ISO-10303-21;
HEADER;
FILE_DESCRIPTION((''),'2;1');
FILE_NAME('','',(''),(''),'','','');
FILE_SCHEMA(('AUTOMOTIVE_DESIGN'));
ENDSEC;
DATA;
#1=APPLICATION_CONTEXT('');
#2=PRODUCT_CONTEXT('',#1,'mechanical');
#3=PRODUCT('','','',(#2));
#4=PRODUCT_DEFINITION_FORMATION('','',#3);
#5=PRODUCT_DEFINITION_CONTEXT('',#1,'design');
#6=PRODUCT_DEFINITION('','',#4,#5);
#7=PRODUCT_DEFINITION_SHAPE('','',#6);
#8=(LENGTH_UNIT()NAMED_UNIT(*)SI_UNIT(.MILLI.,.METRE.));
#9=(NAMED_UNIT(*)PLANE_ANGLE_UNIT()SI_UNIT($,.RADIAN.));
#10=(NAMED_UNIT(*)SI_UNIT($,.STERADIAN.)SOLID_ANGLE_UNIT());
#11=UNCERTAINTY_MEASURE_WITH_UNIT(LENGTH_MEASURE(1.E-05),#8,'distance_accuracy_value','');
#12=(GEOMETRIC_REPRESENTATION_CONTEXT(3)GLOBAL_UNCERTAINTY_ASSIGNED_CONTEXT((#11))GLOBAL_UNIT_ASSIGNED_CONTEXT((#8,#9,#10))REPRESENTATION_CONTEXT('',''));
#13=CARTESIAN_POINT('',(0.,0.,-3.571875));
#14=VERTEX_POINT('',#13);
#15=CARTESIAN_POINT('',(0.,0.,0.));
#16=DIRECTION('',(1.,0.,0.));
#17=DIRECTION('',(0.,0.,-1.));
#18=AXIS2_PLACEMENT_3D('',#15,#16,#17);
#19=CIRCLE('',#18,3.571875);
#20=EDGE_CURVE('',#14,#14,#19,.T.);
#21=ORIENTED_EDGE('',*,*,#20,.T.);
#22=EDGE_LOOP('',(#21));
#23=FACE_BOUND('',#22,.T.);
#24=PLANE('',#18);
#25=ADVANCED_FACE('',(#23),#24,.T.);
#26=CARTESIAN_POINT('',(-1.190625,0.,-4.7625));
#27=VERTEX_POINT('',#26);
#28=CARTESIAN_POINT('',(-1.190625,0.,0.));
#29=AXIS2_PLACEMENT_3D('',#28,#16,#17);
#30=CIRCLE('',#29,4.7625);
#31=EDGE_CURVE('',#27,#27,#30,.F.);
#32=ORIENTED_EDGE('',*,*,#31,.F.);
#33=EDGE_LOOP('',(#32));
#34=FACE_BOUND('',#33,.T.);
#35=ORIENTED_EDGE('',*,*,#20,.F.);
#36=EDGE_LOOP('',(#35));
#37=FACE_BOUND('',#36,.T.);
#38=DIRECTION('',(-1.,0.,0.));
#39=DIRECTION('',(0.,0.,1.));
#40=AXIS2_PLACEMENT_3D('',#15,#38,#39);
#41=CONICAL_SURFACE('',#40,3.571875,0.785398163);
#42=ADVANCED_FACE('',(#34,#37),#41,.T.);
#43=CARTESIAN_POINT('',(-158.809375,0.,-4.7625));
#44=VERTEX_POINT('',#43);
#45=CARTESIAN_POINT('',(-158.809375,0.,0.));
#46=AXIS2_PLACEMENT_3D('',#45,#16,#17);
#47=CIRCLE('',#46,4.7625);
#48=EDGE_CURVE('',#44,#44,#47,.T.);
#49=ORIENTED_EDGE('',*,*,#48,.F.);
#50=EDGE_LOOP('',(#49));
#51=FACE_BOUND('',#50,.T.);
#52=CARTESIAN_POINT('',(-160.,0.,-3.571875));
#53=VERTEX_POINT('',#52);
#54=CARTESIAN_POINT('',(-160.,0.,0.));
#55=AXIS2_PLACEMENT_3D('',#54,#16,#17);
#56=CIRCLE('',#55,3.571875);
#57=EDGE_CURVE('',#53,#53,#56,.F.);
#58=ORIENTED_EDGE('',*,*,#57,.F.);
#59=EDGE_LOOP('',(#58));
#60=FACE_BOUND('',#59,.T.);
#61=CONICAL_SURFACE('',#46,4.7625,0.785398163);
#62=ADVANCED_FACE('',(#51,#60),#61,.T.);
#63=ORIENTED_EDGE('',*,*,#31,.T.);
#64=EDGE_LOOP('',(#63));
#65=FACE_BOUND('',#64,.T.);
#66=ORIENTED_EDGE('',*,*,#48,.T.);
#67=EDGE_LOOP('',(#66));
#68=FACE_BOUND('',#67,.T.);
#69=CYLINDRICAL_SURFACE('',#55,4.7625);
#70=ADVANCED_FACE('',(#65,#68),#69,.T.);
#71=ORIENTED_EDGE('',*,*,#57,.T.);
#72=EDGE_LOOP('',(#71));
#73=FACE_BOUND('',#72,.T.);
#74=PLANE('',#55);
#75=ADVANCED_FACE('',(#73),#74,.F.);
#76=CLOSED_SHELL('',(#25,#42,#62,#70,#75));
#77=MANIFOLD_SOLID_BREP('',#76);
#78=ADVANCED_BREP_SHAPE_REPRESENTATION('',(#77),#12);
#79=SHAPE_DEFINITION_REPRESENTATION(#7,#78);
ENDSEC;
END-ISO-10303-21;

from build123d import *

# Parameters (mm, degrees)
SKETCH2_R           = 4.7625
BOSS_EXTRUDE1_DEPTH = 160
CHAMFER1_SIZE       = 1.190625


with BuildPart() as part:
    # Sketch2 → Boss-Extrude1 (new body)
    with BuildSketch(Plane(origin=(0, 0, 0), x_dir=(0, 0, -1), z_dir=(1, 0, 0))):
        Circle(SKETCH2_R)
    extrude(amount=-BOSS_EXTRUDE1_DEPTH)

    # Chamfer1
    chamfer1_edges = [part.edges().sort_by_distance(p)[0] for p in [
        (0, 0, 4.7625),
        (-160, 0, 4.7625),
    ]]
    chamfer(chamfer1_edges, length=CHAMFER1_SIZE)


solid = part.part
